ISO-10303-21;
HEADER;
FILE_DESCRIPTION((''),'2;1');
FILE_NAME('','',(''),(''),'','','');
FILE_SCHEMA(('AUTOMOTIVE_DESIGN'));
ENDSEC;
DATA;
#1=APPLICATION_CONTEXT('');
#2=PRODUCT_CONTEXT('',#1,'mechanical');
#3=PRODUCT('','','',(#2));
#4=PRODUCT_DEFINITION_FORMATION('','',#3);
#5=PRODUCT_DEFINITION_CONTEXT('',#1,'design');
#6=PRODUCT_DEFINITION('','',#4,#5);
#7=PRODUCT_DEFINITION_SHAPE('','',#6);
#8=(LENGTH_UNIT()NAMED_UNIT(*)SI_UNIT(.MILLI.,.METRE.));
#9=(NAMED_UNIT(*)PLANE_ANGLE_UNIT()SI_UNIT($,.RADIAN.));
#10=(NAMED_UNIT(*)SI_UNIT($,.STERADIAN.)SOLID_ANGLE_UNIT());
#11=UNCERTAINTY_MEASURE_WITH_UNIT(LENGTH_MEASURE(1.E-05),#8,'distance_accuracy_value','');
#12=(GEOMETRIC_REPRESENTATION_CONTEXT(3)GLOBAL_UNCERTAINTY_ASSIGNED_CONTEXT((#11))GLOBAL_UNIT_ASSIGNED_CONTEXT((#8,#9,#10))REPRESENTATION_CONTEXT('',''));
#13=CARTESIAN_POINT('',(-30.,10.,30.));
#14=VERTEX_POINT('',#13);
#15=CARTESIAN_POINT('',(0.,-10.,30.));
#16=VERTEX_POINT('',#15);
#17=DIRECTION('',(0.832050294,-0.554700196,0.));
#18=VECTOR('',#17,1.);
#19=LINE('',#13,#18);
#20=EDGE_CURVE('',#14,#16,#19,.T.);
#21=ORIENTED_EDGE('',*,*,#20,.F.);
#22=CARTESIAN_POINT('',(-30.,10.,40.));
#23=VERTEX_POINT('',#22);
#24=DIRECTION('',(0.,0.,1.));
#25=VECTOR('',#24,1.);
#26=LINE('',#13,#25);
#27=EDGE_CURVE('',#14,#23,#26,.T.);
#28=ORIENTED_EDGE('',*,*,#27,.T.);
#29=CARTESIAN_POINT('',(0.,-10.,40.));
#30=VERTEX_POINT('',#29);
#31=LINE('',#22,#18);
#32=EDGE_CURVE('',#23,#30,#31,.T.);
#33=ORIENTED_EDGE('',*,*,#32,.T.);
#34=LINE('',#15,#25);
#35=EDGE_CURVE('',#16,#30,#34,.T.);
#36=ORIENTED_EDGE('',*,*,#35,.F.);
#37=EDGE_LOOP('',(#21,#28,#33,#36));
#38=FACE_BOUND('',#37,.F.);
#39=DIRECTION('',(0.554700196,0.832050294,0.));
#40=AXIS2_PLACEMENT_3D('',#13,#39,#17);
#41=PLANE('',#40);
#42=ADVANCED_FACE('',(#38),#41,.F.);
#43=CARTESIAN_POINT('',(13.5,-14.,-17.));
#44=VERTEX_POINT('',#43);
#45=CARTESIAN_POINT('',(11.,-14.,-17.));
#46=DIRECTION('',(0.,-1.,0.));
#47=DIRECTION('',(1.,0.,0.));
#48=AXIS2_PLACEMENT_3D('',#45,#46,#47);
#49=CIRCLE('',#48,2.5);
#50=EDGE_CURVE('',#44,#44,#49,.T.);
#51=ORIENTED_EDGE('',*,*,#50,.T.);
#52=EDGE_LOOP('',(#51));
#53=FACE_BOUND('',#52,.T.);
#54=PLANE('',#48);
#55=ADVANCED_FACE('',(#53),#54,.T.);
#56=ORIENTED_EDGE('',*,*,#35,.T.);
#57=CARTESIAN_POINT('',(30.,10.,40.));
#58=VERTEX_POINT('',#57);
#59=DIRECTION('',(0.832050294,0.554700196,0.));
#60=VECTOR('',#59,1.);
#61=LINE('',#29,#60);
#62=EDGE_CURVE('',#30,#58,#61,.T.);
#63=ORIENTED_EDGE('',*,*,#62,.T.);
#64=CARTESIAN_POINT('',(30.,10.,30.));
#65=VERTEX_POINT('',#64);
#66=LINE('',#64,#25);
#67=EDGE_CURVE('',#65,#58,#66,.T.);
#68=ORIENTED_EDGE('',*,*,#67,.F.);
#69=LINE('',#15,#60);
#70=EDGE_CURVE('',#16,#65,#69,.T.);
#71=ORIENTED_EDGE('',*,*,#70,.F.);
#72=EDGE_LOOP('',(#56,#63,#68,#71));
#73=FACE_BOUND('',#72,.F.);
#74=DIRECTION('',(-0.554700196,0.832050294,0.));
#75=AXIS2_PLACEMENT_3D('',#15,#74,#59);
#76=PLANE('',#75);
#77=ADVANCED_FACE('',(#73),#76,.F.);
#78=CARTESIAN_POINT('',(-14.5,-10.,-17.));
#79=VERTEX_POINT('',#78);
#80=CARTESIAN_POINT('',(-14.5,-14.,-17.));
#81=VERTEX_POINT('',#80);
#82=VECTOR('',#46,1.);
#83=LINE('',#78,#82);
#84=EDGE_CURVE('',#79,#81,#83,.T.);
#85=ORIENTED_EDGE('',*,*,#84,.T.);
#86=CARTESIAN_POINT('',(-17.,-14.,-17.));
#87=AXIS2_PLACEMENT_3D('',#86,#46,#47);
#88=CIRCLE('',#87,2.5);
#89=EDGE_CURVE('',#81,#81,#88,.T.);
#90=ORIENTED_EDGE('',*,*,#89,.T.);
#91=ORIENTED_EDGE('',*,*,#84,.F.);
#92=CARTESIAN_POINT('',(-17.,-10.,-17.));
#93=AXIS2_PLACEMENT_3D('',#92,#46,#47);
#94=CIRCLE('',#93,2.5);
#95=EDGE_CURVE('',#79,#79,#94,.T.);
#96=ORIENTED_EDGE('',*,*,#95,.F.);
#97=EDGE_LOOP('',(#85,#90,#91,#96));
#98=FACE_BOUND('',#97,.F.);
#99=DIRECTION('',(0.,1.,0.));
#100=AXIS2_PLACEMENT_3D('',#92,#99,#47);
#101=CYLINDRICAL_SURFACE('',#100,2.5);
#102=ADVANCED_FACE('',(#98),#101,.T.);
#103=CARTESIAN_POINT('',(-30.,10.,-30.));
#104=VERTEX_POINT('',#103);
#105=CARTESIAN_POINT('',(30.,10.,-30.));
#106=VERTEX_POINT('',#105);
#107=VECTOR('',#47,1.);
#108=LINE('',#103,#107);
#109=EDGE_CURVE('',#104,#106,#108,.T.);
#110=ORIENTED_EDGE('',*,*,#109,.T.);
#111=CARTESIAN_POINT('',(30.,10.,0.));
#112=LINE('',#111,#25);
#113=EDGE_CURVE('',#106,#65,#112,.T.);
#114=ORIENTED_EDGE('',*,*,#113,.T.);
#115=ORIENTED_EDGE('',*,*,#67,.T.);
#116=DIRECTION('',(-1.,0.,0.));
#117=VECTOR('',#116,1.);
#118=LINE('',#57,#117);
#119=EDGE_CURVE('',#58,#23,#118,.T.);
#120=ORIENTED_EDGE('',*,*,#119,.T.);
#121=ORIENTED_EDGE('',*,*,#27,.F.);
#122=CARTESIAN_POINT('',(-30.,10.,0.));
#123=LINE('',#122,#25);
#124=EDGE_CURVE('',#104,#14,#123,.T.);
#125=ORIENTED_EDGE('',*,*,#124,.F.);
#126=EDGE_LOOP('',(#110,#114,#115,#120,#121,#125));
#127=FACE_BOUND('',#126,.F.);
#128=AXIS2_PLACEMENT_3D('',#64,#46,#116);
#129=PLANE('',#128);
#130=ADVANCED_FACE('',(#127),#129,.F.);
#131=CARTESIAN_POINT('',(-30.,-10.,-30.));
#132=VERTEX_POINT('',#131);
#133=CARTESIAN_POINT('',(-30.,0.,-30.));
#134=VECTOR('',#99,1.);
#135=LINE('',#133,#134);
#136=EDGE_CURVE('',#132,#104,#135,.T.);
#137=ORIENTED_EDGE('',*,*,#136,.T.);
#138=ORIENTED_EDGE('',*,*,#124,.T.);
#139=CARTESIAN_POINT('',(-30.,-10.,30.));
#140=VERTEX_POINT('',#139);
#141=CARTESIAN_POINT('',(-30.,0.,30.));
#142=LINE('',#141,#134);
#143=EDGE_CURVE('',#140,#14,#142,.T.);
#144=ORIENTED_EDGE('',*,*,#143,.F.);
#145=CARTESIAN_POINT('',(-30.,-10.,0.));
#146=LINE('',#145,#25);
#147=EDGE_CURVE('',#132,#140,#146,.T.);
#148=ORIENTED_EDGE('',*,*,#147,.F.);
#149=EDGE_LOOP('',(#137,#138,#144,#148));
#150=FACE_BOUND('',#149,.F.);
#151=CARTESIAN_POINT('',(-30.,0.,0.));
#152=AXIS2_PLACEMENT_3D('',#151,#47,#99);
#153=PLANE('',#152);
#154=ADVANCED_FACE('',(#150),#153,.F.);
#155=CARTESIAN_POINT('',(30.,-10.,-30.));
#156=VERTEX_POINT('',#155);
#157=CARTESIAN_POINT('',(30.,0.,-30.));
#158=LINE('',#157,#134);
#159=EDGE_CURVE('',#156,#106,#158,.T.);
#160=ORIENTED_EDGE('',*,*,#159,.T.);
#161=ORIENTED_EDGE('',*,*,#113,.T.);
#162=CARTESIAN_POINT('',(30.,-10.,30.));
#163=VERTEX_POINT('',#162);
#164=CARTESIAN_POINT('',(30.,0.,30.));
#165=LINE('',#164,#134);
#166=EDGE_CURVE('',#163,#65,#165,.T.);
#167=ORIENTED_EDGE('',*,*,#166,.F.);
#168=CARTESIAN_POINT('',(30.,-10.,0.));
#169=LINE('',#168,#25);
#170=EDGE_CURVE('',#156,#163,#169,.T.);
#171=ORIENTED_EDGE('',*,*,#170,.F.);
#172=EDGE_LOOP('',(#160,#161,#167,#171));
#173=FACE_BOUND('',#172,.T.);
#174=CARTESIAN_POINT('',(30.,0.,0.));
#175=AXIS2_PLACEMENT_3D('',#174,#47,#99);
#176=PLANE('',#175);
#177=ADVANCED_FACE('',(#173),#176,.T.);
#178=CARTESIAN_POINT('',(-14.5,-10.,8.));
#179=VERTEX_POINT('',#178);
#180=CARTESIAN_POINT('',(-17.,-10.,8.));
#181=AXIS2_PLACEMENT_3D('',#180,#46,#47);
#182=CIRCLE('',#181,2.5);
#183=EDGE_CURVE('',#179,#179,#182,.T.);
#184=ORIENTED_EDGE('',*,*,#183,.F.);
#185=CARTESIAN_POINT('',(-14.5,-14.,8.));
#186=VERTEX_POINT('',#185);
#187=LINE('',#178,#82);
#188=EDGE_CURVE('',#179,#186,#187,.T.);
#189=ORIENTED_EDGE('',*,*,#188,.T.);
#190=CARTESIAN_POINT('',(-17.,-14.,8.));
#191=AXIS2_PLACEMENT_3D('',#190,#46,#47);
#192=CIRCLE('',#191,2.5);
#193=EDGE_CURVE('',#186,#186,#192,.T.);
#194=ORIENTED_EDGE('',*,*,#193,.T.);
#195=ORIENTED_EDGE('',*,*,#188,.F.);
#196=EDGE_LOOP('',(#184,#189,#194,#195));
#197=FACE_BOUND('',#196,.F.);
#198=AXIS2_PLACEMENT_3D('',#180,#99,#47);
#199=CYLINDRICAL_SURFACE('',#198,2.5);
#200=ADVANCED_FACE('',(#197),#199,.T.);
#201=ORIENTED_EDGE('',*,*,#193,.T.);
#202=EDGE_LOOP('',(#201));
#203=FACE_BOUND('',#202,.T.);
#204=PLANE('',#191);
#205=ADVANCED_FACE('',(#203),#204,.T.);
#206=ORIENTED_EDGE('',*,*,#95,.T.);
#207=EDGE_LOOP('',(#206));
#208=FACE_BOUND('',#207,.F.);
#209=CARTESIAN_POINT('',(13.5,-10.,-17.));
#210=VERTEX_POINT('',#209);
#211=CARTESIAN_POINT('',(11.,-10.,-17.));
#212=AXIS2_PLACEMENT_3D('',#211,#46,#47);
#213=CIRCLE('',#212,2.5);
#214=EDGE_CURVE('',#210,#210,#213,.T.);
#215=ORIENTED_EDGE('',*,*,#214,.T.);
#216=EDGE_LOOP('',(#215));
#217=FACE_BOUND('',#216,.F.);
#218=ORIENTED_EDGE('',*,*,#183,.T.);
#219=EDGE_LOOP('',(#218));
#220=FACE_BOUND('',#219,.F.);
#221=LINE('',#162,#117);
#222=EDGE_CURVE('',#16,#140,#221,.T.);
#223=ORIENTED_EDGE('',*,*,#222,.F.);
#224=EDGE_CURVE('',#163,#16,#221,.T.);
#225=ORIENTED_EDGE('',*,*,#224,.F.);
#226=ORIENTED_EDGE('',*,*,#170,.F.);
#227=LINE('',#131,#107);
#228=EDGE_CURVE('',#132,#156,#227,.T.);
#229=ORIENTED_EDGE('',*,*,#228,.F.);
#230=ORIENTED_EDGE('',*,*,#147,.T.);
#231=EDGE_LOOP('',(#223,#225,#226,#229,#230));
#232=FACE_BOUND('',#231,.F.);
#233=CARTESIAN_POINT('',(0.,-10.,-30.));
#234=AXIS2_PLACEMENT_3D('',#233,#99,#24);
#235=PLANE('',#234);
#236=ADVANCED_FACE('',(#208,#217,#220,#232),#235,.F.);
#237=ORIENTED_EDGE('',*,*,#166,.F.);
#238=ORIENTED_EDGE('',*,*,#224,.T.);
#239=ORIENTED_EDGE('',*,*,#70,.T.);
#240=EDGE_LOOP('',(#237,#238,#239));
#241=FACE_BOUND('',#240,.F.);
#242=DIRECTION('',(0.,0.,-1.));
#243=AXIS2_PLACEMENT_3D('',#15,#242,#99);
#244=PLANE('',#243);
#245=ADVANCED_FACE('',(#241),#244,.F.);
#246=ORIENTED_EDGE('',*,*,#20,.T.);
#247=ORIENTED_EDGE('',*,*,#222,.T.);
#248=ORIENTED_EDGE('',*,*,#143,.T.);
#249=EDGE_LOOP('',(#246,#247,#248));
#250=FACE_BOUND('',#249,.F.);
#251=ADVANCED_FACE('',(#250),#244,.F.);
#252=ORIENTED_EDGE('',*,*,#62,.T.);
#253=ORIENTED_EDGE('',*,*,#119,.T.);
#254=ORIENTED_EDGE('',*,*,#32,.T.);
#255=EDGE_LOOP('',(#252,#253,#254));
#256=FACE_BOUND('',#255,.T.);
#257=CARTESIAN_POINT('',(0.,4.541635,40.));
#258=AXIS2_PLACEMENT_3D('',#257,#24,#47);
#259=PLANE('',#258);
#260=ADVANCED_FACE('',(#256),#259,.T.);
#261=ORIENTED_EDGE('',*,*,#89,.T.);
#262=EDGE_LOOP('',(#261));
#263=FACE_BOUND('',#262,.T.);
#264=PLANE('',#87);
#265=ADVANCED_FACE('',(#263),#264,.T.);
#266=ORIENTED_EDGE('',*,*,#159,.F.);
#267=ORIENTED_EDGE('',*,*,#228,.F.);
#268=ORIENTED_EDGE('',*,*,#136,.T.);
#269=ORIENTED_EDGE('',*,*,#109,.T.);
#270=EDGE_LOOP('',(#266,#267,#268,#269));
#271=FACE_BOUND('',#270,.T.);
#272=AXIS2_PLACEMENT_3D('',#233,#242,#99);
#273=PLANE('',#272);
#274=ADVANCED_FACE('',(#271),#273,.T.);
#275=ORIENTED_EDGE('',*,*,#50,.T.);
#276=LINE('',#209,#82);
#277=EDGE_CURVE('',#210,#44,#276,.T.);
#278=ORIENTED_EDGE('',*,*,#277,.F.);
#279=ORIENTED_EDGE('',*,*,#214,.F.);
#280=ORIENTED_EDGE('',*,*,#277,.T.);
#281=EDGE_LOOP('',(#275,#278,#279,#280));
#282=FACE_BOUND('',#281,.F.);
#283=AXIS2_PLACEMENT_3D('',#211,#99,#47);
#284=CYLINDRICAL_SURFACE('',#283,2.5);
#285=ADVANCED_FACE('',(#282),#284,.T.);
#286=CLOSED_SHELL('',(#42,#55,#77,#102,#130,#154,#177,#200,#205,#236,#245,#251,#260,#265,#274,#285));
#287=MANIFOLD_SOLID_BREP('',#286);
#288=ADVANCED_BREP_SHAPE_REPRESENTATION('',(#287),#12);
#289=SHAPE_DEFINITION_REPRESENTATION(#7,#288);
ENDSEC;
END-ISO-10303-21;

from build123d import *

# Parameters (mm, degrees)
F0_W          = 20
F0_H          = 60
F1_DEPTH      = 30
F1_DEPTH_BACK = 30
F3_DEPTH      = 10
F4_R          = 2.5
F5_DEPTH      = 4


with BuildPart() as f1:
    # F0 (on Right) → F1 (new body, two sides)
    with BuildSketch(Plane.YZ) as f1_sk:
        Rectangle(F0_W, F0_H)
    extrude(amount=F1_DEPTH)
    extrude(f1_sk.sketch, amount=-F1_DEPTH_BACK)

    # F2 (on face) → F3 (join)
    with BuildSketch(Plane.XY.offset(30)):
        Polygon((30, 10), (-30, 10), (0, -10), align=None)
    extrude(amount=F3_DEPTH)

    # F4 (on face) → F5 (join)
    with BuildSketch(Plane.XZ.offset(10)):
        with Locations((-17, 8)):
            Circle(F4_R)
        with Locations((-17, -17)):
            Circle(F4_R)
        with Locations((11, -17)):
            Circle(F4_R)
    extrude(amount=F5_DEPTH)


solid = f1.part
